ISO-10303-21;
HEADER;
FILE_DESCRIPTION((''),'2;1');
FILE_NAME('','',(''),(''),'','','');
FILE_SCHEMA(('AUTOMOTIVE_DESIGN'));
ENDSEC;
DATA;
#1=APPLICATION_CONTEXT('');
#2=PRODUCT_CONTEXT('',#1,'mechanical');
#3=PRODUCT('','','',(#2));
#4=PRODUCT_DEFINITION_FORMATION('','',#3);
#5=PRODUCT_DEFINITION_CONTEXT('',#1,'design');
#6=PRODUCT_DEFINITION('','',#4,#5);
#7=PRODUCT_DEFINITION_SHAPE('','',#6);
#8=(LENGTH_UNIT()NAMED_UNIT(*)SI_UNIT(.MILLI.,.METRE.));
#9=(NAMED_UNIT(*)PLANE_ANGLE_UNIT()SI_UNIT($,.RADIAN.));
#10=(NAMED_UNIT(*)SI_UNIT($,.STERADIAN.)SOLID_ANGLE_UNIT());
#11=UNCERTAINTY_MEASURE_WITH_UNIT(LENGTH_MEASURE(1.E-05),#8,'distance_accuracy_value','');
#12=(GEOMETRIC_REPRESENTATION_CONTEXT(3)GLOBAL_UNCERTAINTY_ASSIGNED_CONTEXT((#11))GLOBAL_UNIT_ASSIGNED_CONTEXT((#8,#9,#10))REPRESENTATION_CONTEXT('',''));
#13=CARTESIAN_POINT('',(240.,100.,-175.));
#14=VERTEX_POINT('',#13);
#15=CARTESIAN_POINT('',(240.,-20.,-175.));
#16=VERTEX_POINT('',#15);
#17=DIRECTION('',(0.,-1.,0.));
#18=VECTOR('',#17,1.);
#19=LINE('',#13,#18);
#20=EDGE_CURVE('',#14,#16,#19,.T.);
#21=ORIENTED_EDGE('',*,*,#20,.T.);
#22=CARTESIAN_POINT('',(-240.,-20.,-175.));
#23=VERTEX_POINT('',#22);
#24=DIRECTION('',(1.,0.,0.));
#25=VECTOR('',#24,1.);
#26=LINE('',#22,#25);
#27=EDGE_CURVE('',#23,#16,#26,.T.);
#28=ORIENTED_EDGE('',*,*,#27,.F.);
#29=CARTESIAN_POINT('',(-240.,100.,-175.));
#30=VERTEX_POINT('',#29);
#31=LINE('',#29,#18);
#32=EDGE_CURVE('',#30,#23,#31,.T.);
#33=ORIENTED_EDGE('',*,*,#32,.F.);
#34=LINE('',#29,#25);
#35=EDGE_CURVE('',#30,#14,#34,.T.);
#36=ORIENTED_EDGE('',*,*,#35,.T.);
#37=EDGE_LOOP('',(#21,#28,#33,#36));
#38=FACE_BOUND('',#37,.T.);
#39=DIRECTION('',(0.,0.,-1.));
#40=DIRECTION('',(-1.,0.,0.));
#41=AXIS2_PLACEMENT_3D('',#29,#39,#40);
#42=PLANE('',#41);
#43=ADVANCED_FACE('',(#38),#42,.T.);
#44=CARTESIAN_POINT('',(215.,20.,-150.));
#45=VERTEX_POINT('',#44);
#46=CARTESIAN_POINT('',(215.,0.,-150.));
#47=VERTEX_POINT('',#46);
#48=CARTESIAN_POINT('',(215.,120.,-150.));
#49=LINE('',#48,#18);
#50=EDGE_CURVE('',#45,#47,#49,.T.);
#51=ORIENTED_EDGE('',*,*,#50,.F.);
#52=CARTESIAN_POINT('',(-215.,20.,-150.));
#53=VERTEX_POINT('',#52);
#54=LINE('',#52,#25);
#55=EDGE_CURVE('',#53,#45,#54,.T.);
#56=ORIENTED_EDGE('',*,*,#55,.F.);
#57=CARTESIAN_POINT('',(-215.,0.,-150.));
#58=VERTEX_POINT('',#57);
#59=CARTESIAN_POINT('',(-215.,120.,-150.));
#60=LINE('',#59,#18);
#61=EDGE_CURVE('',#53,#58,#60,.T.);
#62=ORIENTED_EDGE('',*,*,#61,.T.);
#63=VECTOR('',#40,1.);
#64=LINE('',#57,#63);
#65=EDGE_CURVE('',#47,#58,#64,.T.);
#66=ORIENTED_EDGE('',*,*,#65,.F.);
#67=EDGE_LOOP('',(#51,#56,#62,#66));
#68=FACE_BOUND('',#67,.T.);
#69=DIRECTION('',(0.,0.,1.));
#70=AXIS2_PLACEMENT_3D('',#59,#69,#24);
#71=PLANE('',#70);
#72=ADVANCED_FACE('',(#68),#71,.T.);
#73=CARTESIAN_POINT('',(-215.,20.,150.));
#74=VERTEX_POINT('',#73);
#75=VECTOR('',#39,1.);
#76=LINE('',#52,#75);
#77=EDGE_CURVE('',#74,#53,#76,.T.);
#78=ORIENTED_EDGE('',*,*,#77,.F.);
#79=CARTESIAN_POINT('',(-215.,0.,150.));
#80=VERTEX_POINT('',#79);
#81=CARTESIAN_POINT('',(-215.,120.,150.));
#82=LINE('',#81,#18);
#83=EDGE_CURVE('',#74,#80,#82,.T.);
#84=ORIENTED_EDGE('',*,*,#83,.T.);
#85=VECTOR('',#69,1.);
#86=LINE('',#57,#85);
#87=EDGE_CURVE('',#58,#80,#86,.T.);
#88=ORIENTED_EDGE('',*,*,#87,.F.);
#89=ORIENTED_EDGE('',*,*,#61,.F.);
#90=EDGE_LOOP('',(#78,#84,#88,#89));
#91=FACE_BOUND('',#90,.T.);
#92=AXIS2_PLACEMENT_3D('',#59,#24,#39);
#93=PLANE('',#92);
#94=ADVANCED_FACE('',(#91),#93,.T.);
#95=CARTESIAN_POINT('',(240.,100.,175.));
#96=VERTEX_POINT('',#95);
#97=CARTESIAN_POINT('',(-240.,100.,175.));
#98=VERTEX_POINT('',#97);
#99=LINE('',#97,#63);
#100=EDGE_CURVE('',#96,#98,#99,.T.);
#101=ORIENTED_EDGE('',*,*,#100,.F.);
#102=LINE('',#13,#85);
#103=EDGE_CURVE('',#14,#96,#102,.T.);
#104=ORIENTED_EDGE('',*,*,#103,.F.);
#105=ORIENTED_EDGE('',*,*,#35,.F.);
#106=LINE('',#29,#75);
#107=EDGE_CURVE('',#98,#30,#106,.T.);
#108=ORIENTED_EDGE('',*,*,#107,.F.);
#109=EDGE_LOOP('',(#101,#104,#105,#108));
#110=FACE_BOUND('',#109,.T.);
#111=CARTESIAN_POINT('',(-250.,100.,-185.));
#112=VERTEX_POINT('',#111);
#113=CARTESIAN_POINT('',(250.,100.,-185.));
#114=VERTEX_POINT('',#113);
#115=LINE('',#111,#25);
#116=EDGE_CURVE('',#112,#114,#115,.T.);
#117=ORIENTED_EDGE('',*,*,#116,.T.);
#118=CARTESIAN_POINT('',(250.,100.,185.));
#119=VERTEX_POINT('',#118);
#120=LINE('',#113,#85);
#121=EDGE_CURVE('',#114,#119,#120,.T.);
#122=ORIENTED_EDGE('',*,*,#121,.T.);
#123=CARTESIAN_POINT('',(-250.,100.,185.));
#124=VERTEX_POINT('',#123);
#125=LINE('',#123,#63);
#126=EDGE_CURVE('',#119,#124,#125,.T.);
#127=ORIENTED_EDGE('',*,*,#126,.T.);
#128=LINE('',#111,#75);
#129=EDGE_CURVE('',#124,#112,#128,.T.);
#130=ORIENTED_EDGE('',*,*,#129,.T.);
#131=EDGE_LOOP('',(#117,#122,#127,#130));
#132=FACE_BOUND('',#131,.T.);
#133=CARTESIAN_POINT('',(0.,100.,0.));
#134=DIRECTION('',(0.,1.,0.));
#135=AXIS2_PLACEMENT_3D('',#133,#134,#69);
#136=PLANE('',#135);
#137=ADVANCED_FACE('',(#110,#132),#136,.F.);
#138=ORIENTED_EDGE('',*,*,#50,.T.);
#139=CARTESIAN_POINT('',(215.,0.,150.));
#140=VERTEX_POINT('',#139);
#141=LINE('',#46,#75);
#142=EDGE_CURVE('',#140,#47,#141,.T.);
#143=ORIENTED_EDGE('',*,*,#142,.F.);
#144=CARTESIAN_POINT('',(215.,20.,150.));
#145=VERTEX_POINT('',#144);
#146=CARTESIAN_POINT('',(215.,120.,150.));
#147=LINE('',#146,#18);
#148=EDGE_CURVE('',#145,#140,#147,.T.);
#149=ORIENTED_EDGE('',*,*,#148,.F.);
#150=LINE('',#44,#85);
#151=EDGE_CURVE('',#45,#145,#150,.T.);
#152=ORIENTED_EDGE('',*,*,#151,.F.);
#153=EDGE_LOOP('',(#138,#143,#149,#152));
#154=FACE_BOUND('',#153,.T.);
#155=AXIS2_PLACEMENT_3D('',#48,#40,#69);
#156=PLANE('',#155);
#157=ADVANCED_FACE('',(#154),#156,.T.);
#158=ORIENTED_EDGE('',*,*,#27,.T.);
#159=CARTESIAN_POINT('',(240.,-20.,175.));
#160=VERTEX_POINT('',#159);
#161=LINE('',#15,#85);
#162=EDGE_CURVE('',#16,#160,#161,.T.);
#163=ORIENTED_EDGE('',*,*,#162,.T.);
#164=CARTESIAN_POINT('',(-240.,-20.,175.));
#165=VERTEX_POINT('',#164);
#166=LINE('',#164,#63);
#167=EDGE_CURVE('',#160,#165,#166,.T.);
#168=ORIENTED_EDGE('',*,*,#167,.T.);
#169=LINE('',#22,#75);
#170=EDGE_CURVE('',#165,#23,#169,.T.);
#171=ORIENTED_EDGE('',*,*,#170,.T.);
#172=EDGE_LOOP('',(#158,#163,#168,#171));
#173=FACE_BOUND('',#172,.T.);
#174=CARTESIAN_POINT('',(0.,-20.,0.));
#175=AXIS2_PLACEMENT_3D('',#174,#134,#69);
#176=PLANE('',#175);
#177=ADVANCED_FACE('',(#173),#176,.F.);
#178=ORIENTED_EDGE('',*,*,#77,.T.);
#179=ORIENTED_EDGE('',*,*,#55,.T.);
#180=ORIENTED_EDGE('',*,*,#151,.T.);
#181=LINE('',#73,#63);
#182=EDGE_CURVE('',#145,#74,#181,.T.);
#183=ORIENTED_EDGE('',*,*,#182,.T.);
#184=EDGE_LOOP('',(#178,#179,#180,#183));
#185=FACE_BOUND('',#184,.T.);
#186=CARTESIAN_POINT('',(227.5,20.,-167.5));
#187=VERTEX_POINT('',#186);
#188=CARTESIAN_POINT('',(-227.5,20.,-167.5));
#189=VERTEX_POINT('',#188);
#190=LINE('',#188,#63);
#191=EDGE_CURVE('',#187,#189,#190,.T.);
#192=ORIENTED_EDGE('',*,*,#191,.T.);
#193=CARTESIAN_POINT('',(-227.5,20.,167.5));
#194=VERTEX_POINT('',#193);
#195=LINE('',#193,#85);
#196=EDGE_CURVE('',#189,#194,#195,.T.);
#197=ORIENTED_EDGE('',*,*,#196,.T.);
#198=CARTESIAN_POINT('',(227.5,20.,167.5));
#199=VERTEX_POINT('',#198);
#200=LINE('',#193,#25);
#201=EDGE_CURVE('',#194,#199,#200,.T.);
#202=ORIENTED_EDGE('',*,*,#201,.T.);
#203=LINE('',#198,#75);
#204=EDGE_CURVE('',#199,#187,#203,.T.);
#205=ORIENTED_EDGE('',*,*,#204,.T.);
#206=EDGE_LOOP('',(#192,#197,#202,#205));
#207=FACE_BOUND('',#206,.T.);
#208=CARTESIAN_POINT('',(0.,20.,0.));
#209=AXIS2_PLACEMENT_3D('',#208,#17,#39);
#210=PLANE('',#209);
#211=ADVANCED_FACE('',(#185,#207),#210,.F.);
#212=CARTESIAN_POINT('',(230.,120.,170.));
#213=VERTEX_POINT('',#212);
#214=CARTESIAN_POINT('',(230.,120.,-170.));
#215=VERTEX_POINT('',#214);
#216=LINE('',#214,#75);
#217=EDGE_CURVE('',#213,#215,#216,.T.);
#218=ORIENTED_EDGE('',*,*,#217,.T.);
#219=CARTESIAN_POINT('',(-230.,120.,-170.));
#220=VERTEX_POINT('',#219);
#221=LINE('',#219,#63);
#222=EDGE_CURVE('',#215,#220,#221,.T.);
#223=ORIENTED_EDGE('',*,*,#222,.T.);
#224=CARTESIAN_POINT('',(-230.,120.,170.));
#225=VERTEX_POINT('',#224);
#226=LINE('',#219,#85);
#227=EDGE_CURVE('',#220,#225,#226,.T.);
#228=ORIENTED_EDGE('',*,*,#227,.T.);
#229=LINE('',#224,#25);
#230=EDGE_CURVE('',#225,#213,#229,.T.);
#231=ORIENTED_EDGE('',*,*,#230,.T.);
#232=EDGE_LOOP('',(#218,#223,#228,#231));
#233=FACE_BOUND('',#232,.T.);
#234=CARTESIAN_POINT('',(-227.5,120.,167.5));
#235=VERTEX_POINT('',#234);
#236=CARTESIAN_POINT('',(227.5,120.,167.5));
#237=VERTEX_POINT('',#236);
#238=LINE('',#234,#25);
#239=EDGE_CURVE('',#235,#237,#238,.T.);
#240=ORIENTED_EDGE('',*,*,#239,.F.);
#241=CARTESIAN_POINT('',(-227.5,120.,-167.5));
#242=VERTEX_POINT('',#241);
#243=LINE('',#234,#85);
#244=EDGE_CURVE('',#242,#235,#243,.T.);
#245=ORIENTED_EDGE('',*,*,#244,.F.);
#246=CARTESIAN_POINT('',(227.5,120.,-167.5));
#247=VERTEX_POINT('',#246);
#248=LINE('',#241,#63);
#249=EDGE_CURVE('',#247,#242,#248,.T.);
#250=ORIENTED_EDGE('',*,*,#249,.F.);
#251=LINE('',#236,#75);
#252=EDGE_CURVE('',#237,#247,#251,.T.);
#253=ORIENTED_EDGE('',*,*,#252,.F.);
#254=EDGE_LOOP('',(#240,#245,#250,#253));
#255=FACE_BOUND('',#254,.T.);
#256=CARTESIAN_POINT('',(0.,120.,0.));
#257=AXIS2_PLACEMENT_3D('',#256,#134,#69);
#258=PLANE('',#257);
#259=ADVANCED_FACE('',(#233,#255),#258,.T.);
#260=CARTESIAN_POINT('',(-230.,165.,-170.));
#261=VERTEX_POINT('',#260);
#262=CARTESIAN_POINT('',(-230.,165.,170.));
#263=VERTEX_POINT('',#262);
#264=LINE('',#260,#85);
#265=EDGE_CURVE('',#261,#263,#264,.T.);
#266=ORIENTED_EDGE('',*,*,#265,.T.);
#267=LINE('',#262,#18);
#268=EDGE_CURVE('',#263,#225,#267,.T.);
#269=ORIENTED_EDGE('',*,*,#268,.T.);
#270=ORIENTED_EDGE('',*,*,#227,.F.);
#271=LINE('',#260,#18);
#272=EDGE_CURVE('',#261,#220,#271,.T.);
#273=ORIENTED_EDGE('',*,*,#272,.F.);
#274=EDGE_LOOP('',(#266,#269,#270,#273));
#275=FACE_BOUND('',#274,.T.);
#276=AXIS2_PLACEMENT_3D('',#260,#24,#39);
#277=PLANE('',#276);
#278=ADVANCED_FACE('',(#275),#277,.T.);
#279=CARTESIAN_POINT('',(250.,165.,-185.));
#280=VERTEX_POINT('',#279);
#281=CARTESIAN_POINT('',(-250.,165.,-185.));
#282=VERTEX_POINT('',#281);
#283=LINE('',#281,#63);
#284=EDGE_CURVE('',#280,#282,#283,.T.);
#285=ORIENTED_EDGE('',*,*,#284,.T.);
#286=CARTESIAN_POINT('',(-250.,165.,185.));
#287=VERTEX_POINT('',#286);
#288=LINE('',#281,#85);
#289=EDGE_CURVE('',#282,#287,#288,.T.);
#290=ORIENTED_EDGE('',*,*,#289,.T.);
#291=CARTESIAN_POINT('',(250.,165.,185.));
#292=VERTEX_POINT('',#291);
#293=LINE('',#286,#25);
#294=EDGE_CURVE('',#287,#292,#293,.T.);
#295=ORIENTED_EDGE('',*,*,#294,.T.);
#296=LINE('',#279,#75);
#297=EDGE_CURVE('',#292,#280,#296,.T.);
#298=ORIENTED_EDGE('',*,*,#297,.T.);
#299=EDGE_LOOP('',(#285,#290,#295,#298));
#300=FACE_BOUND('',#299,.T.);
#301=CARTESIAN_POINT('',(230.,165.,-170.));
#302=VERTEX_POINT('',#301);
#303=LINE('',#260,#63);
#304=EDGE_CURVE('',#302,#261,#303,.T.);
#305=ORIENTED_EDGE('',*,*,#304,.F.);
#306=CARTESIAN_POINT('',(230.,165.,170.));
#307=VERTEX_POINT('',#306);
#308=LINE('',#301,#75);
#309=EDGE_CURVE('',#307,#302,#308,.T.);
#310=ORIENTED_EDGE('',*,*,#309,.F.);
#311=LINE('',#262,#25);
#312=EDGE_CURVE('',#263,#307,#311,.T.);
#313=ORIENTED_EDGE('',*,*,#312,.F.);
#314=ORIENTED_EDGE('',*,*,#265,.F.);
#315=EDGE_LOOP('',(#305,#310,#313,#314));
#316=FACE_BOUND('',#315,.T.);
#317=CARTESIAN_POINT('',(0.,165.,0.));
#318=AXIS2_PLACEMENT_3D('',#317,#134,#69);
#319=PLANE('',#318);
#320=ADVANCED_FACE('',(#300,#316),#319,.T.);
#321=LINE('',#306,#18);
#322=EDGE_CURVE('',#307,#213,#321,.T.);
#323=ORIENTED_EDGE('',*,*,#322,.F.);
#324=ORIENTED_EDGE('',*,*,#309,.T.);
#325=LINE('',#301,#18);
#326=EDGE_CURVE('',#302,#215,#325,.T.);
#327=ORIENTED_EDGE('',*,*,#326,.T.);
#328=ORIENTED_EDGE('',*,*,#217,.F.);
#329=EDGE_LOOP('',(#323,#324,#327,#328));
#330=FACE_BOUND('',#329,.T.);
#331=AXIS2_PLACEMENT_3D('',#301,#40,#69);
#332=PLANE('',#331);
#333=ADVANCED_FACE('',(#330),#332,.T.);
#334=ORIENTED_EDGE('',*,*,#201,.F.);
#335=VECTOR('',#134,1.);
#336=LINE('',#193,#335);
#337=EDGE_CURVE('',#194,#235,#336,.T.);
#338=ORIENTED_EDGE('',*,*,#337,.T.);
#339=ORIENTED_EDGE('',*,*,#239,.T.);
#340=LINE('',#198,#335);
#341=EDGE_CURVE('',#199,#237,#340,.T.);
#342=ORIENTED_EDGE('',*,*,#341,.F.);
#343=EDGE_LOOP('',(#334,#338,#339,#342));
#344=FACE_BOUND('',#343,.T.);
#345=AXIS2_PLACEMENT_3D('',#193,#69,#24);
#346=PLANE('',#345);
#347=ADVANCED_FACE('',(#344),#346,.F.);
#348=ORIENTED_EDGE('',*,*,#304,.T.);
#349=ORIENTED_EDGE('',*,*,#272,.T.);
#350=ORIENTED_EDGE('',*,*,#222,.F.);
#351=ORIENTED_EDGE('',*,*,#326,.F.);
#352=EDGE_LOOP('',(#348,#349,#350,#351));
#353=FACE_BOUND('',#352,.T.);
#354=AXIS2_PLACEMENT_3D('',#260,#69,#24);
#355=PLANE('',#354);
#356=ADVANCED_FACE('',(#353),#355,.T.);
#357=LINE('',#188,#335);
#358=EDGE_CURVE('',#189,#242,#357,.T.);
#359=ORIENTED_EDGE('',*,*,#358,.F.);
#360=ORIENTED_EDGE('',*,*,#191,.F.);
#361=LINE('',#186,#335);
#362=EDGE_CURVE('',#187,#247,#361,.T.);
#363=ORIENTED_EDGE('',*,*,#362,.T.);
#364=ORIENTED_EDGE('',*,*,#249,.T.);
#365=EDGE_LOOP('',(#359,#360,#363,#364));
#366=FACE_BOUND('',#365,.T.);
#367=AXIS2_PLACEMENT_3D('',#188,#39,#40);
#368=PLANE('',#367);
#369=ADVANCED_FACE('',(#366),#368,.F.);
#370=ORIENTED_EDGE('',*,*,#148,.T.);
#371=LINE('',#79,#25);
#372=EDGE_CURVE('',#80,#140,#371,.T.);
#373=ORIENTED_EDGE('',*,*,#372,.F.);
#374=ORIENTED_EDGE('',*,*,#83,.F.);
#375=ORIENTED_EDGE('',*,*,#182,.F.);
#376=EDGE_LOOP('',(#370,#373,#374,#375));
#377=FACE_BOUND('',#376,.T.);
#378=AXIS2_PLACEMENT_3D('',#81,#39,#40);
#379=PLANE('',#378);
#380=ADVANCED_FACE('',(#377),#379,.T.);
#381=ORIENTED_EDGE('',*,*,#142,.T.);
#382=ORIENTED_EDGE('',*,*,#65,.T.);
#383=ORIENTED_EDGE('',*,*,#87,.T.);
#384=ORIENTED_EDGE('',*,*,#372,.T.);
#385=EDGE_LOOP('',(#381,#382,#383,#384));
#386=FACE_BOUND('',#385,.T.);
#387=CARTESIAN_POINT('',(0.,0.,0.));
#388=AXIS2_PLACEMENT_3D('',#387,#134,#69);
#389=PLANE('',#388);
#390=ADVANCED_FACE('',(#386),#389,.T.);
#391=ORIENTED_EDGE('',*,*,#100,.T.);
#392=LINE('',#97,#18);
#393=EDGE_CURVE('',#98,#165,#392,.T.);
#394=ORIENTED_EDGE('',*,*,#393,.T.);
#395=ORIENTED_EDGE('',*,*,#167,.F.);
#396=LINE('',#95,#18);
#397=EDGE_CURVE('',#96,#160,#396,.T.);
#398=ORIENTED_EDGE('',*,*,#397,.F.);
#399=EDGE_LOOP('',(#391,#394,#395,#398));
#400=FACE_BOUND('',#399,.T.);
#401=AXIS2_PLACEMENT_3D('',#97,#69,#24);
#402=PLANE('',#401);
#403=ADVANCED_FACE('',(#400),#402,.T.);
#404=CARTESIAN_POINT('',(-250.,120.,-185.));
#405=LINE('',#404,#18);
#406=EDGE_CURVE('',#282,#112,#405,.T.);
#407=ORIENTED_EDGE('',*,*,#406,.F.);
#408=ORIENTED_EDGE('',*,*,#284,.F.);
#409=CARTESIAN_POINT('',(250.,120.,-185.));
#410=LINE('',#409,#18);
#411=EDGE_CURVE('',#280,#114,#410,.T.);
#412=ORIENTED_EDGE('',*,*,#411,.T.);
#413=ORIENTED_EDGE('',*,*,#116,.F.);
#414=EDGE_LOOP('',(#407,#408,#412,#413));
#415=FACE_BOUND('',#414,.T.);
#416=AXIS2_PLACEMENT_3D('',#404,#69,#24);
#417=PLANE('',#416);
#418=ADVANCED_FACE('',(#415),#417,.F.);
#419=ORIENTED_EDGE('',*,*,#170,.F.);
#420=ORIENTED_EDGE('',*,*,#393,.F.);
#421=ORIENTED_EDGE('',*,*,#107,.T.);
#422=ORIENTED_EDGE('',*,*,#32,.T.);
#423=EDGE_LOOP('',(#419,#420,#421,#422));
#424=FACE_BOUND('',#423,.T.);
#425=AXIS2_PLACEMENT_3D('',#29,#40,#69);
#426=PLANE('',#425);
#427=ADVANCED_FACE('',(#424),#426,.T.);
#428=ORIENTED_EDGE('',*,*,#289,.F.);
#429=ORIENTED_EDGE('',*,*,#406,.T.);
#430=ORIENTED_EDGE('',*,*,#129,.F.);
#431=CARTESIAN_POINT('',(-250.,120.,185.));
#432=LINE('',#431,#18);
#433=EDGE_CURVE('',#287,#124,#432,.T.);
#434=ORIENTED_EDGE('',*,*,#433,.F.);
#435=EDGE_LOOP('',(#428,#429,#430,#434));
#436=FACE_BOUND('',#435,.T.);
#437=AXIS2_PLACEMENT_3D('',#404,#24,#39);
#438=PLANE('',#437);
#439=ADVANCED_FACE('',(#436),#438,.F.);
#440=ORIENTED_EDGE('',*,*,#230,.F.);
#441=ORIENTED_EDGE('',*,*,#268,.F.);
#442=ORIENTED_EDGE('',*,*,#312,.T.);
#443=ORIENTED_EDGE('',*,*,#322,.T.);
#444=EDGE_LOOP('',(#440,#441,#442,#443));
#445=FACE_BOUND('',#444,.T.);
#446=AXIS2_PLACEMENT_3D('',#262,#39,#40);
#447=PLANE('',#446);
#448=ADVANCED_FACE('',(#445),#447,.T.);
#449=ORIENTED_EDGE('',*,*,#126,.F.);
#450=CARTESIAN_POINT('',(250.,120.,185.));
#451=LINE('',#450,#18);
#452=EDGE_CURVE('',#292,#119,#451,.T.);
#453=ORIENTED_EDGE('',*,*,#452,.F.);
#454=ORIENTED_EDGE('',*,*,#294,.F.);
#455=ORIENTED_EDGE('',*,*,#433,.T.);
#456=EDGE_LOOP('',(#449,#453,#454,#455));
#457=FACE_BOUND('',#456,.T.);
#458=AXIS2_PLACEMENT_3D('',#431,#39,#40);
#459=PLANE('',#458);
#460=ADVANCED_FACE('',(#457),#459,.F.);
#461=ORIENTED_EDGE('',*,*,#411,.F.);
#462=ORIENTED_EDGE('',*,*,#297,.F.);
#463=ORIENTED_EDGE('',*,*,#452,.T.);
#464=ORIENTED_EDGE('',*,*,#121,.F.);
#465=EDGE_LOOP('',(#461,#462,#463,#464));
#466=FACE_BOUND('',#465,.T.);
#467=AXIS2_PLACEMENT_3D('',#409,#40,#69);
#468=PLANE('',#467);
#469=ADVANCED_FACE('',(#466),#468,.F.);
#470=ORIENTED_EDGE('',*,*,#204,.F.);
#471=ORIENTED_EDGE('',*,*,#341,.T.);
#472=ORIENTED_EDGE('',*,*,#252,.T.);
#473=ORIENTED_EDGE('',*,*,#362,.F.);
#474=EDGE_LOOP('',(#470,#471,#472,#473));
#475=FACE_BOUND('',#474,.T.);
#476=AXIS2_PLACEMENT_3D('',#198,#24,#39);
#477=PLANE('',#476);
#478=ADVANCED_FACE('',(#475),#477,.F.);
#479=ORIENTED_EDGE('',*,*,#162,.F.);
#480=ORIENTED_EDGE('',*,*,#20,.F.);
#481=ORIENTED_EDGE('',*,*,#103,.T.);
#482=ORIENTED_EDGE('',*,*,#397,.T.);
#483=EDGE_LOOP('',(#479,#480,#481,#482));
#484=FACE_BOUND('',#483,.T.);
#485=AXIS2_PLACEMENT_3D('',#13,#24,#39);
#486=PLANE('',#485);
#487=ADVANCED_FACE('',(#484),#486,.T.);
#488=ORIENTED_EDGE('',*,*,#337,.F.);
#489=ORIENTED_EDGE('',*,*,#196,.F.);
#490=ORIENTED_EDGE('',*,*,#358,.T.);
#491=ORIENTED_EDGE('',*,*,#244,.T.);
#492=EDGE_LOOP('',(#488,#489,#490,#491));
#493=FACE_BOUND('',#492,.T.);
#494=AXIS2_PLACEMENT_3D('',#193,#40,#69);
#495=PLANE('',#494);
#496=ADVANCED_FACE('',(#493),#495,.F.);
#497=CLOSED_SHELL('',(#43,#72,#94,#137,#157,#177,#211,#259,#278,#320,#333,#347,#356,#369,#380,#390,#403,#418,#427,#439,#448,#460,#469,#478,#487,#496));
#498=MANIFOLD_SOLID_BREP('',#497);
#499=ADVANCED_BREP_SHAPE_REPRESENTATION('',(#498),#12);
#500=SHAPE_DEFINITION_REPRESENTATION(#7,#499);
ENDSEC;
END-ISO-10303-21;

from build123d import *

# Parameters (mm, degrees)
SKETCH2_W           = 500
SKETCH2_H           = 370
SKETCH2_W_2         = 430
SKETCH2_H_2         = 300
BOSS_EXTRUDE1_DEPTH = 120
SKETCH4_W           = 500
SKETCH4_H           = 370
SKETCH4_W_2         = 460
SKETCH4_H_2         = 340
BOSS_EXTRUDE2_DEPTH = 45
SKETCH5_W           = 500
SKETCH5_H           = 370
BOSS_EXTRUDE3_DEPTH = 20
SKETCH6_W           = 500
SKETCH6_H           = 370
SKETCH6_W_2         = 480
SKETCH6_H_2         = 350
CUT_EXTRUDE1_DEPTH  = 120
SKETCH8_W           = 455
SKETCH8_H           = 335
CUT_EXTRUDE2_DEPTH  = 100


with BuildPart() as part:
    # Sketch2 → Boss-Extrude1 (new body)
    with BuildSketch(Plane(origin=(0, 0, 0), x_dir=(1, 0, 0), z_dir=(0, 1, 0))):
        Rectangle(SKETCH2_W, SKETCH2_H)
        Rectangle(SKETCH2_W_2, SKETCH2_H_2, mode=Mode.SUBTRACT)
    extrude(amount=BOSS_EXTRUDE1_DEPTH)

    # Sketch4 → Boss-Extrude2 (add)
    with BuildSketch(Plane(origin=(0, 120, 0), x_dir=(1, 0, 0), z_dir=(0, 1, 0))):
        Rectangle(SKETCH4_W, SKETCH4_H)
        Rectangle(SKETCH4_W_2, SKETCH4_H_2, mode=Mode.SUBTRACT)
    extrude(amount=BOSS_EXTRUDE2_DEPTH)

    # Sketch5 → Boss-Extrude3 (add)
    with BuildSketch(Plane.XZ):
        Rectangle(SKETCH5_W, SKETCH5_H)
    extrude(amount=BOSS_EXTRUDE3_DEPTH)

    # Sketch6 → Cut-Extrude1 (cut)
    with BuildSketch(Plane.XZ.offset(20)):
        Rectangle(SKETCH6_W, SKETCH6_H)
        Rectangle(SKETCH6_W_2, SKETCH6_H_2, mode=Mode.SUBTRACT)
    extrude(amount=-CUT_EXTRUDE1_DEPTH, mode=Mode.SUBTRACT)

    # Sketch8 → Cut-Extrude2 (cut)
    with BuildSketch(Plane(origin=(0, 120, 0), x_dir=(1, 0, 0), z_dir=(0, 1, 0))):
        Rectangle(SKETCH8_W, SKETCH8_H)
    extrude(amount=-CUT_EXTRUDE2_DEPTH, mode=Mode.SUBTRACT)


solid = part.part
